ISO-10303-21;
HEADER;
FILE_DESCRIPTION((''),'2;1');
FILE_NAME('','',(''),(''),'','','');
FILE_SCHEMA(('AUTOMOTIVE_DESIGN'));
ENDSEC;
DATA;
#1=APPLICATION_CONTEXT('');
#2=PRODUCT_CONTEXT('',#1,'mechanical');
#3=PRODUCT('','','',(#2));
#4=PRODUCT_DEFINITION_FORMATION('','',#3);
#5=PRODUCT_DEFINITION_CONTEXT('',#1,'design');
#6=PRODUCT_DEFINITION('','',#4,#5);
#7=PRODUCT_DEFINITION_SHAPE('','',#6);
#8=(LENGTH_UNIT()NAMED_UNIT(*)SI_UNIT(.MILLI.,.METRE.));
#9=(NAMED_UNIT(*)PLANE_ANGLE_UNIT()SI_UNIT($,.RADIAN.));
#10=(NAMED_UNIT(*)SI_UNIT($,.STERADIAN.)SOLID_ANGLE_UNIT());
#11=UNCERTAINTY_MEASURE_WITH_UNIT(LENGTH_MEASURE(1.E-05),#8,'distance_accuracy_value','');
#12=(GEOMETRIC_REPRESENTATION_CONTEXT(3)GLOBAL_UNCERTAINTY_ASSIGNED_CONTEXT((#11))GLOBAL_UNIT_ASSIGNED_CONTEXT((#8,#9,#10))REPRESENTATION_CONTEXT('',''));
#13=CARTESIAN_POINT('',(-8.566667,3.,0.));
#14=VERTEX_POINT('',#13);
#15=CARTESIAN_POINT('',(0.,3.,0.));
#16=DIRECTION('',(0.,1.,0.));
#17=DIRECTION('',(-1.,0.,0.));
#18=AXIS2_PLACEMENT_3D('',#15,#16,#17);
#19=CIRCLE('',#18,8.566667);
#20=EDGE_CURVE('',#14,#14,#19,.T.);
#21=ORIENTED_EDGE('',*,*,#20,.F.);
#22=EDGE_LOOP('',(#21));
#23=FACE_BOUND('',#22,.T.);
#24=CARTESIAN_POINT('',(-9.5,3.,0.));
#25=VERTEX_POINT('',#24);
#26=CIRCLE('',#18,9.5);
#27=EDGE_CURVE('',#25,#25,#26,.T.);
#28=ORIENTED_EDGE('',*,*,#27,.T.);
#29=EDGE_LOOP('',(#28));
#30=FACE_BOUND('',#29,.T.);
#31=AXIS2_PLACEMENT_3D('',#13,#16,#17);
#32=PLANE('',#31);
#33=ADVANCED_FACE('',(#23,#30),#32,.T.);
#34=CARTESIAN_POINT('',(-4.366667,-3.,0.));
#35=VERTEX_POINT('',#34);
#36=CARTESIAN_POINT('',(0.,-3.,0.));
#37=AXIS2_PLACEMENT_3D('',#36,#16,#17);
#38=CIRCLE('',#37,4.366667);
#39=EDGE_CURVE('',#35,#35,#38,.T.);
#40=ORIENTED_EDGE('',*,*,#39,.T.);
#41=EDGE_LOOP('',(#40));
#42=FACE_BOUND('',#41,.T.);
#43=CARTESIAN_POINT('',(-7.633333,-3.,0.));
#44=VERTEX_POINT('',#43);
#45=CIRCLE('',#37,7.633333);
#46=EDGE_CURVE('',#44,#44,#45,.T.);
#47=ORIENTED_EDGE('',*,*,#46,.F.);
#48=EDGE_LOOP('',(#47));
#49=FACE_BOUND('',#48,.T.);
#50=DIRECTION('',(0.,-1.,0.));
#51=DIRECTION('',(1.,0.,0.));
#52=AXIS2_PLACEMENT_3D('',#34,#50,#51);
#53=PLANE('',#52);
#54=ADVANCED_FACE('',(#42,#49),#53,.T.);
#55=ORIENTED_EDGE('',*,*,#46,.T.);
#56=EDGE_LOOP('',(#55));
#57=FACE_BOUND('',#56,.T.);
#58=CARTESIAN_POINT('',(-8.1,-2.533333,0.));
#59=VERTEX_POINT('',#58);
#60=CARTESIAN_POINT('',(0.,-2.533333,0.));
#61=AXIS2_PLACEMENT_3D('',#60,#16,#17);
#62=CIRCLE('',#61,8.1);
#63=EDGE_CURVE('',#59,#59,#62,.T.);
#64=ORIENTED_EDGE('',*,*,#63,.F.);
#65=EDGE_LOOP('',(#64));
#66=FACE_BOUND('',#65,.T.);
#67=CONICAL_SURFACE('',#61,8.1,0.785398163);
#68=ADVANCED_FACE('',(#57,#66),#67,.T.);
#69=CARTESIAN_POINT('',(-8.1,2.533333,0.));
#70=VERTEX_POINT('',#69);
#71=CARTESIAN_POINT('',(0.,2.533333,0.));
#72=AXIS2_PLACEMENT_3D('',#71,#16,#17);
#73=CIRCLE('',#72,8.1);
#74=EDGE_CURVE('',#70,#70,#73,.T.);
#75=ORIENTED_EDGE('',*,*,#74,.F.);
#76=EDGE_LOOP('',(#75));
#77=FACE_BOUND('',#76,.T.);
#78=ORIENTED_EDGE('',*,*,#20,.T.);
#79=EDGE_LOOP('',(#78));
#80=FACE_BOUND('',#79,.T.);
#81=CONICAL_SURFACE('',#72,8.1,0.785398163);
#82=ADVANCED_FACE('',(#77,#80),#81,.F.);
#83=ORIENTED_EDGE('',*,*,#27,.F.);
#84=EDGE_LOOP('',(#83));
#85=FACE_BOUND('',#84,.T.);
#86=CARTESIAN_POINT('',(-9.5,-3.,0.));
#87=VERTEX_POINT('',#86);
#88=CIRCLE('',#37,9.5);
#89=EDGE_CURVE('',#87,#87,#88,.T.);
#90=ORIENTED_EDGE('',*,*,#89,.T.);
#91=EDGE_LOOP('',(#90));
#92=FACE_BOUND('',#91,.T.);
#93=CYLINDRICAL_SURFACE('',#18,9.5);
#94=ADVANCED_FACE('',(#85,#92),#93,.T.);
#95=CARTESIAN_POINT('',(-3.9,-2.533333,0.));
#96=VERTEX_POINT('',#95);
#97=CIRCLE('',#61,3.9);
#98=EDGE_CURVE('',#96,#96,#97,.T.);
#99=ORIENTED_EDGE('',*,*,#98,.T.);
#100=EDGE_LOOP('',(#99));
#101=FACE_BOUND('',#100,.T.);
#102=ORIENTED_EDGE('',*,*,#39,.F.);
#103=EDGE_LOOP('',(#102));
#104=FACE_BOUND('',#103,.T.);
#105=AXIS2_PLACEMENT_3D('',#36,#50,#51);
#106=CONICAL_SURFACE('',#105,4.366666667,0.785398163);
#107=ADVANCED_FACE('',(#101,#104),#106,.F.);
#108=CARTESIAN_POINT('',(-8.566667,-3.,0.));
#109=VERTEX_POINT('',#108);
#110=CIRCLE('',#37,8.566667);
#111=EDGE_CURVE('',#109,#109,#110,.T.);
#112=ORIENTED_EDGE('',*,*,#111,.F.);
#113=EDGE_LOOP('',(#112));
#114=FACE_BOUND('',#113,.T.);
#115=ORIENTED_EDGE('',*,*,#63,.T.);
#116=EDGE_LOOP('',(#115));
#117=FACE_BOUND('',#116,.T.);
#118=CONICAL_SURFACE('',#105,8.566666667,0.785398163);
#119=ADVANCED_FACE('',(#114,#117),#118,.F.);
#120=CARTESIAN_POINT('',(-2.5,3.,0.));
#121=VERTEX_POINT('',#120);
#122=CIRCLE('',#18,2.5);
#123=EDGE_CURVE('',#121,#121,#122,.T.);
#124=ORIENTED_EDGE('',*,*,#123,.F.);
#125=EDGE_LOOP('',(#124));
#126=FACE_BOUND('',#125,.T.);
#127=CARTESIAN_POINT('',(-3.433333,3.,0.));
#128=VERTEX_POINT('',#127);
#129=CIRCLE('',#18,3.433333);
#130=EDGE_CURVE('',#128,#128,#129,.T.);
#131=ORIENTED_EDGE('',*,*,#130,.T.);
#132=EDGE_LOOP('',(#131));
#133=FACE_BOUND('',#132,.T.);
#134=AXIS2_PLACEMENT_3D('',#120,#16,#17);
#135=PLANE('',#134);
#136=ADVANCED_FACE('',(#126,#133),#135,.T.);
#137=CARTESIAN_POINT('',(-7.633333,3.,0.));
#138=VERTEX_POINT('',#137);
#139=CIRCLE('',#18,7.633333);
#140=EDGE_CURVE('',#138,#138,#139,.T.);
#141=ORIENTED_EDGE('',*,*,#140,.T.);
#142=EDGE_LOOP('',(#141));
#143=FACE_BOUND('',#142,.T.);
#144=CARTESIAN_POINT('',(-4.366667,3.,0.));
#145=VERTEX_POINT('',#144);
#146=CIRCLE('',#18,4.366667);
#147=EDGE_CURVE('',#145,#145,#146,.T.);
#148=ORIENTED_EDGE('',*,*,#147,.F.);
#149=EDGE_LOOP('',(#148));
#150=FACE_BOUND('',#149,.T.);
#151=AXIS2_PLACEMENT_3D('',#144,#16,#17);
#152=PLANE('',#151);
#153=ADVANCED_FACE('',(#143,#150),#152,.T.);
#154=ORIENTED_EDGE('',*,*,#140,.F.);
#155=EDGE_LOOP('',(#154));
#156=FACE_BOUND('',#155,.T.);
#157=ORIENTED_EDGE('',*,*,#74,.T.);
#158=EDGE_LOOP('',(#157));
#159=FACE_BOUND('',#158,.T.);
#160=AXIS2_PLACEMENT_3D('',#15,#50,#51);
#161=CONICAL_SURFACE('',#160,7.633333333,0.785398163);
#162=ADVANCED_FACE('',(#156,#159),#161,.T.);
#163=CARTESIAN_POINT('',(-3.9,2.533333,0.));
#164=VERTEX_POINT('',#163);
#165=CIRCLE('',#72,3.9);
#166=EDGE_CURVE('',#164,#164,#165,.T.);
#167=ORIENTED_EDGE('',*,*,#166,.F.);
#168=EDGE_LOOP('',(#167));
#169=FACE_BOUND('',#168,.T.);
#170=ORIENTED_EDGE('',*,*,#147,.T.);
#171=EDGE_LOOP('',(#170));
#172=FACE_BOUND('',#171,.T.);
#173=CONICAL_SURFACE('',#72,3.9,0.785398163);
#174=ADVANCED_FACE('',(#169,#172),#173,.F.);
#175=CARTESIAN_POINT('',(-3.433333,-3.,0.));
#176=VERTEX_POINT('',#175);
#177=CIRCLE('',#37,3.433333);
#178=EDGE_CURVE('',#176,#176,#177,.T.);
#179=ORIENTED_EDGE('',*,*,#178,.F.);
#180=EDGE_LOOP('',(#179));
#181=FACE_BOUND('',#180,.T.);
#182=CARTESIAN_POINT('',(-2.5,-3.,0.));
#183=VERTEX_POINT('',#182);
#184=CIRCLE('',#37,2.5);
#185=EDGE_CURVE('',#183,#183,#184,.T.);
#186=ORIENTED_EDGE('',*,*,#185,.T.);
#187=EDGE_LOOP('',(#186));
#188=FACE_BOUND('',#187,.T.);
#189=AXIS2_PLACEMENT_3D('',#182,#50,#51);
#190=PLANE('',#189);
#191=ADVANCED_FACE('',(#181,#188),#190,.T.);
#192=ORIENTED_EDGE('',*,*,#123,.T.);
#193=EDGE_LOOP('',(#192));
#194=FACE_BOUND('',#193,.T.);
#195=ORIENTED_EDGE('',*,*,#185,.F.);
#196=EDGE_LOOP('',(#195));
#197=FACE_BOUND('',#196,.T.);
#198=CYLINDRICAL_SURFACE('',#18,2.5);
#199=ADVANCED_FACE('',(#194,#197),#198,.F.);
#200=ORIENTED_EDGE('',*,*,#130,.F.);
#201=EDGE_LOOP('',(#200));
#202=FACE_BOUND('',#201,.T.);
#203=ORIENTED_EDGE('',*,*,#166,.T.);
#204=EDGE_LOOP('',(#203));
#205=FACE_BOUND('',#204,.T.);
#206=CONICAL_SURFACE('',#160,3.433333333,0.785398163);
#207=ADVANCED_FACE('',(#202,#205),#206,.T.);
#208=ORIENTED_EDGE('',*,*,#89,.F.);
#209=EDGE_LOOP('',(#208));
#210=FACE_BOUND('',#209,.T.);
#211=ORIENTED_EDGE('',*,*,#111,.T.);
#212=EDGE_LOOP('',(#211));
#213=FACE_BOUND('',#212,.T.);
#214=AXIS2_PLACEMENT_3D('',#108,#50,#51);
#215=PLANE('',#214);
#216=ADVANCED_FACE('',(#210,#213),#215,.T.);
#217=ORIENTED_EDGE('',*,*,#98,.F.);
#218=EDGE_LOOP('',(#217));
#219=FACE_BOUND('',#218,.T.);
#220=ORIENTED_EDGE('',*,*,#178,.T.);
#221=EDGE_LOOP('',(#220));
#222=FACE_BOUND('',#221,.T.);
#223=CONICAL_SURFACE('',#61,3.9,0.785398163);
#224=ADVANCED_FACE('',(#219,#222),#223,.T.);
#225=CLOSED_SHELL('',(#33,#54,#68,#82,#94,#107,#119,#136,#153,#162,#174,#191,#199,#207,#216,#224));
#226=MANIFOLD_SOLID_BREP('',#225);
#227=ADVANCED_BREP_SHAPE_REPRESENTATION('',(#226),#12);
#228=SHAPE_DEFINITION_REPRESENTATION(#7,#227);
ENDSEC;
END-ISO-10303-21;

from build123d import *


with BuildPart() as part:
    # Sketch1 → Revolve1 (revolve)
    with BuildSketch(Plane.XY):
        Polygon((-2.5, 3), (-3.433333333, 3), (-3.9, 2.533333333), (-4.366666667, 3), (-7.633333333, 3), (-8.1, 2.533333333), (-8.566666667, 3), (-9.5, 3), (-9.5, -3), (-8.566666667, -3), (-8.1, -2.533333333), (-7.633333333, -3), (-4.366666667, -3), (-3.9, -2.533333333), (-3.433333333, -3), (-2.5, -3), align=None)
    revolve(axis=Axis((0, 3, 0), (0, -1, 0)))


solid = part.part
